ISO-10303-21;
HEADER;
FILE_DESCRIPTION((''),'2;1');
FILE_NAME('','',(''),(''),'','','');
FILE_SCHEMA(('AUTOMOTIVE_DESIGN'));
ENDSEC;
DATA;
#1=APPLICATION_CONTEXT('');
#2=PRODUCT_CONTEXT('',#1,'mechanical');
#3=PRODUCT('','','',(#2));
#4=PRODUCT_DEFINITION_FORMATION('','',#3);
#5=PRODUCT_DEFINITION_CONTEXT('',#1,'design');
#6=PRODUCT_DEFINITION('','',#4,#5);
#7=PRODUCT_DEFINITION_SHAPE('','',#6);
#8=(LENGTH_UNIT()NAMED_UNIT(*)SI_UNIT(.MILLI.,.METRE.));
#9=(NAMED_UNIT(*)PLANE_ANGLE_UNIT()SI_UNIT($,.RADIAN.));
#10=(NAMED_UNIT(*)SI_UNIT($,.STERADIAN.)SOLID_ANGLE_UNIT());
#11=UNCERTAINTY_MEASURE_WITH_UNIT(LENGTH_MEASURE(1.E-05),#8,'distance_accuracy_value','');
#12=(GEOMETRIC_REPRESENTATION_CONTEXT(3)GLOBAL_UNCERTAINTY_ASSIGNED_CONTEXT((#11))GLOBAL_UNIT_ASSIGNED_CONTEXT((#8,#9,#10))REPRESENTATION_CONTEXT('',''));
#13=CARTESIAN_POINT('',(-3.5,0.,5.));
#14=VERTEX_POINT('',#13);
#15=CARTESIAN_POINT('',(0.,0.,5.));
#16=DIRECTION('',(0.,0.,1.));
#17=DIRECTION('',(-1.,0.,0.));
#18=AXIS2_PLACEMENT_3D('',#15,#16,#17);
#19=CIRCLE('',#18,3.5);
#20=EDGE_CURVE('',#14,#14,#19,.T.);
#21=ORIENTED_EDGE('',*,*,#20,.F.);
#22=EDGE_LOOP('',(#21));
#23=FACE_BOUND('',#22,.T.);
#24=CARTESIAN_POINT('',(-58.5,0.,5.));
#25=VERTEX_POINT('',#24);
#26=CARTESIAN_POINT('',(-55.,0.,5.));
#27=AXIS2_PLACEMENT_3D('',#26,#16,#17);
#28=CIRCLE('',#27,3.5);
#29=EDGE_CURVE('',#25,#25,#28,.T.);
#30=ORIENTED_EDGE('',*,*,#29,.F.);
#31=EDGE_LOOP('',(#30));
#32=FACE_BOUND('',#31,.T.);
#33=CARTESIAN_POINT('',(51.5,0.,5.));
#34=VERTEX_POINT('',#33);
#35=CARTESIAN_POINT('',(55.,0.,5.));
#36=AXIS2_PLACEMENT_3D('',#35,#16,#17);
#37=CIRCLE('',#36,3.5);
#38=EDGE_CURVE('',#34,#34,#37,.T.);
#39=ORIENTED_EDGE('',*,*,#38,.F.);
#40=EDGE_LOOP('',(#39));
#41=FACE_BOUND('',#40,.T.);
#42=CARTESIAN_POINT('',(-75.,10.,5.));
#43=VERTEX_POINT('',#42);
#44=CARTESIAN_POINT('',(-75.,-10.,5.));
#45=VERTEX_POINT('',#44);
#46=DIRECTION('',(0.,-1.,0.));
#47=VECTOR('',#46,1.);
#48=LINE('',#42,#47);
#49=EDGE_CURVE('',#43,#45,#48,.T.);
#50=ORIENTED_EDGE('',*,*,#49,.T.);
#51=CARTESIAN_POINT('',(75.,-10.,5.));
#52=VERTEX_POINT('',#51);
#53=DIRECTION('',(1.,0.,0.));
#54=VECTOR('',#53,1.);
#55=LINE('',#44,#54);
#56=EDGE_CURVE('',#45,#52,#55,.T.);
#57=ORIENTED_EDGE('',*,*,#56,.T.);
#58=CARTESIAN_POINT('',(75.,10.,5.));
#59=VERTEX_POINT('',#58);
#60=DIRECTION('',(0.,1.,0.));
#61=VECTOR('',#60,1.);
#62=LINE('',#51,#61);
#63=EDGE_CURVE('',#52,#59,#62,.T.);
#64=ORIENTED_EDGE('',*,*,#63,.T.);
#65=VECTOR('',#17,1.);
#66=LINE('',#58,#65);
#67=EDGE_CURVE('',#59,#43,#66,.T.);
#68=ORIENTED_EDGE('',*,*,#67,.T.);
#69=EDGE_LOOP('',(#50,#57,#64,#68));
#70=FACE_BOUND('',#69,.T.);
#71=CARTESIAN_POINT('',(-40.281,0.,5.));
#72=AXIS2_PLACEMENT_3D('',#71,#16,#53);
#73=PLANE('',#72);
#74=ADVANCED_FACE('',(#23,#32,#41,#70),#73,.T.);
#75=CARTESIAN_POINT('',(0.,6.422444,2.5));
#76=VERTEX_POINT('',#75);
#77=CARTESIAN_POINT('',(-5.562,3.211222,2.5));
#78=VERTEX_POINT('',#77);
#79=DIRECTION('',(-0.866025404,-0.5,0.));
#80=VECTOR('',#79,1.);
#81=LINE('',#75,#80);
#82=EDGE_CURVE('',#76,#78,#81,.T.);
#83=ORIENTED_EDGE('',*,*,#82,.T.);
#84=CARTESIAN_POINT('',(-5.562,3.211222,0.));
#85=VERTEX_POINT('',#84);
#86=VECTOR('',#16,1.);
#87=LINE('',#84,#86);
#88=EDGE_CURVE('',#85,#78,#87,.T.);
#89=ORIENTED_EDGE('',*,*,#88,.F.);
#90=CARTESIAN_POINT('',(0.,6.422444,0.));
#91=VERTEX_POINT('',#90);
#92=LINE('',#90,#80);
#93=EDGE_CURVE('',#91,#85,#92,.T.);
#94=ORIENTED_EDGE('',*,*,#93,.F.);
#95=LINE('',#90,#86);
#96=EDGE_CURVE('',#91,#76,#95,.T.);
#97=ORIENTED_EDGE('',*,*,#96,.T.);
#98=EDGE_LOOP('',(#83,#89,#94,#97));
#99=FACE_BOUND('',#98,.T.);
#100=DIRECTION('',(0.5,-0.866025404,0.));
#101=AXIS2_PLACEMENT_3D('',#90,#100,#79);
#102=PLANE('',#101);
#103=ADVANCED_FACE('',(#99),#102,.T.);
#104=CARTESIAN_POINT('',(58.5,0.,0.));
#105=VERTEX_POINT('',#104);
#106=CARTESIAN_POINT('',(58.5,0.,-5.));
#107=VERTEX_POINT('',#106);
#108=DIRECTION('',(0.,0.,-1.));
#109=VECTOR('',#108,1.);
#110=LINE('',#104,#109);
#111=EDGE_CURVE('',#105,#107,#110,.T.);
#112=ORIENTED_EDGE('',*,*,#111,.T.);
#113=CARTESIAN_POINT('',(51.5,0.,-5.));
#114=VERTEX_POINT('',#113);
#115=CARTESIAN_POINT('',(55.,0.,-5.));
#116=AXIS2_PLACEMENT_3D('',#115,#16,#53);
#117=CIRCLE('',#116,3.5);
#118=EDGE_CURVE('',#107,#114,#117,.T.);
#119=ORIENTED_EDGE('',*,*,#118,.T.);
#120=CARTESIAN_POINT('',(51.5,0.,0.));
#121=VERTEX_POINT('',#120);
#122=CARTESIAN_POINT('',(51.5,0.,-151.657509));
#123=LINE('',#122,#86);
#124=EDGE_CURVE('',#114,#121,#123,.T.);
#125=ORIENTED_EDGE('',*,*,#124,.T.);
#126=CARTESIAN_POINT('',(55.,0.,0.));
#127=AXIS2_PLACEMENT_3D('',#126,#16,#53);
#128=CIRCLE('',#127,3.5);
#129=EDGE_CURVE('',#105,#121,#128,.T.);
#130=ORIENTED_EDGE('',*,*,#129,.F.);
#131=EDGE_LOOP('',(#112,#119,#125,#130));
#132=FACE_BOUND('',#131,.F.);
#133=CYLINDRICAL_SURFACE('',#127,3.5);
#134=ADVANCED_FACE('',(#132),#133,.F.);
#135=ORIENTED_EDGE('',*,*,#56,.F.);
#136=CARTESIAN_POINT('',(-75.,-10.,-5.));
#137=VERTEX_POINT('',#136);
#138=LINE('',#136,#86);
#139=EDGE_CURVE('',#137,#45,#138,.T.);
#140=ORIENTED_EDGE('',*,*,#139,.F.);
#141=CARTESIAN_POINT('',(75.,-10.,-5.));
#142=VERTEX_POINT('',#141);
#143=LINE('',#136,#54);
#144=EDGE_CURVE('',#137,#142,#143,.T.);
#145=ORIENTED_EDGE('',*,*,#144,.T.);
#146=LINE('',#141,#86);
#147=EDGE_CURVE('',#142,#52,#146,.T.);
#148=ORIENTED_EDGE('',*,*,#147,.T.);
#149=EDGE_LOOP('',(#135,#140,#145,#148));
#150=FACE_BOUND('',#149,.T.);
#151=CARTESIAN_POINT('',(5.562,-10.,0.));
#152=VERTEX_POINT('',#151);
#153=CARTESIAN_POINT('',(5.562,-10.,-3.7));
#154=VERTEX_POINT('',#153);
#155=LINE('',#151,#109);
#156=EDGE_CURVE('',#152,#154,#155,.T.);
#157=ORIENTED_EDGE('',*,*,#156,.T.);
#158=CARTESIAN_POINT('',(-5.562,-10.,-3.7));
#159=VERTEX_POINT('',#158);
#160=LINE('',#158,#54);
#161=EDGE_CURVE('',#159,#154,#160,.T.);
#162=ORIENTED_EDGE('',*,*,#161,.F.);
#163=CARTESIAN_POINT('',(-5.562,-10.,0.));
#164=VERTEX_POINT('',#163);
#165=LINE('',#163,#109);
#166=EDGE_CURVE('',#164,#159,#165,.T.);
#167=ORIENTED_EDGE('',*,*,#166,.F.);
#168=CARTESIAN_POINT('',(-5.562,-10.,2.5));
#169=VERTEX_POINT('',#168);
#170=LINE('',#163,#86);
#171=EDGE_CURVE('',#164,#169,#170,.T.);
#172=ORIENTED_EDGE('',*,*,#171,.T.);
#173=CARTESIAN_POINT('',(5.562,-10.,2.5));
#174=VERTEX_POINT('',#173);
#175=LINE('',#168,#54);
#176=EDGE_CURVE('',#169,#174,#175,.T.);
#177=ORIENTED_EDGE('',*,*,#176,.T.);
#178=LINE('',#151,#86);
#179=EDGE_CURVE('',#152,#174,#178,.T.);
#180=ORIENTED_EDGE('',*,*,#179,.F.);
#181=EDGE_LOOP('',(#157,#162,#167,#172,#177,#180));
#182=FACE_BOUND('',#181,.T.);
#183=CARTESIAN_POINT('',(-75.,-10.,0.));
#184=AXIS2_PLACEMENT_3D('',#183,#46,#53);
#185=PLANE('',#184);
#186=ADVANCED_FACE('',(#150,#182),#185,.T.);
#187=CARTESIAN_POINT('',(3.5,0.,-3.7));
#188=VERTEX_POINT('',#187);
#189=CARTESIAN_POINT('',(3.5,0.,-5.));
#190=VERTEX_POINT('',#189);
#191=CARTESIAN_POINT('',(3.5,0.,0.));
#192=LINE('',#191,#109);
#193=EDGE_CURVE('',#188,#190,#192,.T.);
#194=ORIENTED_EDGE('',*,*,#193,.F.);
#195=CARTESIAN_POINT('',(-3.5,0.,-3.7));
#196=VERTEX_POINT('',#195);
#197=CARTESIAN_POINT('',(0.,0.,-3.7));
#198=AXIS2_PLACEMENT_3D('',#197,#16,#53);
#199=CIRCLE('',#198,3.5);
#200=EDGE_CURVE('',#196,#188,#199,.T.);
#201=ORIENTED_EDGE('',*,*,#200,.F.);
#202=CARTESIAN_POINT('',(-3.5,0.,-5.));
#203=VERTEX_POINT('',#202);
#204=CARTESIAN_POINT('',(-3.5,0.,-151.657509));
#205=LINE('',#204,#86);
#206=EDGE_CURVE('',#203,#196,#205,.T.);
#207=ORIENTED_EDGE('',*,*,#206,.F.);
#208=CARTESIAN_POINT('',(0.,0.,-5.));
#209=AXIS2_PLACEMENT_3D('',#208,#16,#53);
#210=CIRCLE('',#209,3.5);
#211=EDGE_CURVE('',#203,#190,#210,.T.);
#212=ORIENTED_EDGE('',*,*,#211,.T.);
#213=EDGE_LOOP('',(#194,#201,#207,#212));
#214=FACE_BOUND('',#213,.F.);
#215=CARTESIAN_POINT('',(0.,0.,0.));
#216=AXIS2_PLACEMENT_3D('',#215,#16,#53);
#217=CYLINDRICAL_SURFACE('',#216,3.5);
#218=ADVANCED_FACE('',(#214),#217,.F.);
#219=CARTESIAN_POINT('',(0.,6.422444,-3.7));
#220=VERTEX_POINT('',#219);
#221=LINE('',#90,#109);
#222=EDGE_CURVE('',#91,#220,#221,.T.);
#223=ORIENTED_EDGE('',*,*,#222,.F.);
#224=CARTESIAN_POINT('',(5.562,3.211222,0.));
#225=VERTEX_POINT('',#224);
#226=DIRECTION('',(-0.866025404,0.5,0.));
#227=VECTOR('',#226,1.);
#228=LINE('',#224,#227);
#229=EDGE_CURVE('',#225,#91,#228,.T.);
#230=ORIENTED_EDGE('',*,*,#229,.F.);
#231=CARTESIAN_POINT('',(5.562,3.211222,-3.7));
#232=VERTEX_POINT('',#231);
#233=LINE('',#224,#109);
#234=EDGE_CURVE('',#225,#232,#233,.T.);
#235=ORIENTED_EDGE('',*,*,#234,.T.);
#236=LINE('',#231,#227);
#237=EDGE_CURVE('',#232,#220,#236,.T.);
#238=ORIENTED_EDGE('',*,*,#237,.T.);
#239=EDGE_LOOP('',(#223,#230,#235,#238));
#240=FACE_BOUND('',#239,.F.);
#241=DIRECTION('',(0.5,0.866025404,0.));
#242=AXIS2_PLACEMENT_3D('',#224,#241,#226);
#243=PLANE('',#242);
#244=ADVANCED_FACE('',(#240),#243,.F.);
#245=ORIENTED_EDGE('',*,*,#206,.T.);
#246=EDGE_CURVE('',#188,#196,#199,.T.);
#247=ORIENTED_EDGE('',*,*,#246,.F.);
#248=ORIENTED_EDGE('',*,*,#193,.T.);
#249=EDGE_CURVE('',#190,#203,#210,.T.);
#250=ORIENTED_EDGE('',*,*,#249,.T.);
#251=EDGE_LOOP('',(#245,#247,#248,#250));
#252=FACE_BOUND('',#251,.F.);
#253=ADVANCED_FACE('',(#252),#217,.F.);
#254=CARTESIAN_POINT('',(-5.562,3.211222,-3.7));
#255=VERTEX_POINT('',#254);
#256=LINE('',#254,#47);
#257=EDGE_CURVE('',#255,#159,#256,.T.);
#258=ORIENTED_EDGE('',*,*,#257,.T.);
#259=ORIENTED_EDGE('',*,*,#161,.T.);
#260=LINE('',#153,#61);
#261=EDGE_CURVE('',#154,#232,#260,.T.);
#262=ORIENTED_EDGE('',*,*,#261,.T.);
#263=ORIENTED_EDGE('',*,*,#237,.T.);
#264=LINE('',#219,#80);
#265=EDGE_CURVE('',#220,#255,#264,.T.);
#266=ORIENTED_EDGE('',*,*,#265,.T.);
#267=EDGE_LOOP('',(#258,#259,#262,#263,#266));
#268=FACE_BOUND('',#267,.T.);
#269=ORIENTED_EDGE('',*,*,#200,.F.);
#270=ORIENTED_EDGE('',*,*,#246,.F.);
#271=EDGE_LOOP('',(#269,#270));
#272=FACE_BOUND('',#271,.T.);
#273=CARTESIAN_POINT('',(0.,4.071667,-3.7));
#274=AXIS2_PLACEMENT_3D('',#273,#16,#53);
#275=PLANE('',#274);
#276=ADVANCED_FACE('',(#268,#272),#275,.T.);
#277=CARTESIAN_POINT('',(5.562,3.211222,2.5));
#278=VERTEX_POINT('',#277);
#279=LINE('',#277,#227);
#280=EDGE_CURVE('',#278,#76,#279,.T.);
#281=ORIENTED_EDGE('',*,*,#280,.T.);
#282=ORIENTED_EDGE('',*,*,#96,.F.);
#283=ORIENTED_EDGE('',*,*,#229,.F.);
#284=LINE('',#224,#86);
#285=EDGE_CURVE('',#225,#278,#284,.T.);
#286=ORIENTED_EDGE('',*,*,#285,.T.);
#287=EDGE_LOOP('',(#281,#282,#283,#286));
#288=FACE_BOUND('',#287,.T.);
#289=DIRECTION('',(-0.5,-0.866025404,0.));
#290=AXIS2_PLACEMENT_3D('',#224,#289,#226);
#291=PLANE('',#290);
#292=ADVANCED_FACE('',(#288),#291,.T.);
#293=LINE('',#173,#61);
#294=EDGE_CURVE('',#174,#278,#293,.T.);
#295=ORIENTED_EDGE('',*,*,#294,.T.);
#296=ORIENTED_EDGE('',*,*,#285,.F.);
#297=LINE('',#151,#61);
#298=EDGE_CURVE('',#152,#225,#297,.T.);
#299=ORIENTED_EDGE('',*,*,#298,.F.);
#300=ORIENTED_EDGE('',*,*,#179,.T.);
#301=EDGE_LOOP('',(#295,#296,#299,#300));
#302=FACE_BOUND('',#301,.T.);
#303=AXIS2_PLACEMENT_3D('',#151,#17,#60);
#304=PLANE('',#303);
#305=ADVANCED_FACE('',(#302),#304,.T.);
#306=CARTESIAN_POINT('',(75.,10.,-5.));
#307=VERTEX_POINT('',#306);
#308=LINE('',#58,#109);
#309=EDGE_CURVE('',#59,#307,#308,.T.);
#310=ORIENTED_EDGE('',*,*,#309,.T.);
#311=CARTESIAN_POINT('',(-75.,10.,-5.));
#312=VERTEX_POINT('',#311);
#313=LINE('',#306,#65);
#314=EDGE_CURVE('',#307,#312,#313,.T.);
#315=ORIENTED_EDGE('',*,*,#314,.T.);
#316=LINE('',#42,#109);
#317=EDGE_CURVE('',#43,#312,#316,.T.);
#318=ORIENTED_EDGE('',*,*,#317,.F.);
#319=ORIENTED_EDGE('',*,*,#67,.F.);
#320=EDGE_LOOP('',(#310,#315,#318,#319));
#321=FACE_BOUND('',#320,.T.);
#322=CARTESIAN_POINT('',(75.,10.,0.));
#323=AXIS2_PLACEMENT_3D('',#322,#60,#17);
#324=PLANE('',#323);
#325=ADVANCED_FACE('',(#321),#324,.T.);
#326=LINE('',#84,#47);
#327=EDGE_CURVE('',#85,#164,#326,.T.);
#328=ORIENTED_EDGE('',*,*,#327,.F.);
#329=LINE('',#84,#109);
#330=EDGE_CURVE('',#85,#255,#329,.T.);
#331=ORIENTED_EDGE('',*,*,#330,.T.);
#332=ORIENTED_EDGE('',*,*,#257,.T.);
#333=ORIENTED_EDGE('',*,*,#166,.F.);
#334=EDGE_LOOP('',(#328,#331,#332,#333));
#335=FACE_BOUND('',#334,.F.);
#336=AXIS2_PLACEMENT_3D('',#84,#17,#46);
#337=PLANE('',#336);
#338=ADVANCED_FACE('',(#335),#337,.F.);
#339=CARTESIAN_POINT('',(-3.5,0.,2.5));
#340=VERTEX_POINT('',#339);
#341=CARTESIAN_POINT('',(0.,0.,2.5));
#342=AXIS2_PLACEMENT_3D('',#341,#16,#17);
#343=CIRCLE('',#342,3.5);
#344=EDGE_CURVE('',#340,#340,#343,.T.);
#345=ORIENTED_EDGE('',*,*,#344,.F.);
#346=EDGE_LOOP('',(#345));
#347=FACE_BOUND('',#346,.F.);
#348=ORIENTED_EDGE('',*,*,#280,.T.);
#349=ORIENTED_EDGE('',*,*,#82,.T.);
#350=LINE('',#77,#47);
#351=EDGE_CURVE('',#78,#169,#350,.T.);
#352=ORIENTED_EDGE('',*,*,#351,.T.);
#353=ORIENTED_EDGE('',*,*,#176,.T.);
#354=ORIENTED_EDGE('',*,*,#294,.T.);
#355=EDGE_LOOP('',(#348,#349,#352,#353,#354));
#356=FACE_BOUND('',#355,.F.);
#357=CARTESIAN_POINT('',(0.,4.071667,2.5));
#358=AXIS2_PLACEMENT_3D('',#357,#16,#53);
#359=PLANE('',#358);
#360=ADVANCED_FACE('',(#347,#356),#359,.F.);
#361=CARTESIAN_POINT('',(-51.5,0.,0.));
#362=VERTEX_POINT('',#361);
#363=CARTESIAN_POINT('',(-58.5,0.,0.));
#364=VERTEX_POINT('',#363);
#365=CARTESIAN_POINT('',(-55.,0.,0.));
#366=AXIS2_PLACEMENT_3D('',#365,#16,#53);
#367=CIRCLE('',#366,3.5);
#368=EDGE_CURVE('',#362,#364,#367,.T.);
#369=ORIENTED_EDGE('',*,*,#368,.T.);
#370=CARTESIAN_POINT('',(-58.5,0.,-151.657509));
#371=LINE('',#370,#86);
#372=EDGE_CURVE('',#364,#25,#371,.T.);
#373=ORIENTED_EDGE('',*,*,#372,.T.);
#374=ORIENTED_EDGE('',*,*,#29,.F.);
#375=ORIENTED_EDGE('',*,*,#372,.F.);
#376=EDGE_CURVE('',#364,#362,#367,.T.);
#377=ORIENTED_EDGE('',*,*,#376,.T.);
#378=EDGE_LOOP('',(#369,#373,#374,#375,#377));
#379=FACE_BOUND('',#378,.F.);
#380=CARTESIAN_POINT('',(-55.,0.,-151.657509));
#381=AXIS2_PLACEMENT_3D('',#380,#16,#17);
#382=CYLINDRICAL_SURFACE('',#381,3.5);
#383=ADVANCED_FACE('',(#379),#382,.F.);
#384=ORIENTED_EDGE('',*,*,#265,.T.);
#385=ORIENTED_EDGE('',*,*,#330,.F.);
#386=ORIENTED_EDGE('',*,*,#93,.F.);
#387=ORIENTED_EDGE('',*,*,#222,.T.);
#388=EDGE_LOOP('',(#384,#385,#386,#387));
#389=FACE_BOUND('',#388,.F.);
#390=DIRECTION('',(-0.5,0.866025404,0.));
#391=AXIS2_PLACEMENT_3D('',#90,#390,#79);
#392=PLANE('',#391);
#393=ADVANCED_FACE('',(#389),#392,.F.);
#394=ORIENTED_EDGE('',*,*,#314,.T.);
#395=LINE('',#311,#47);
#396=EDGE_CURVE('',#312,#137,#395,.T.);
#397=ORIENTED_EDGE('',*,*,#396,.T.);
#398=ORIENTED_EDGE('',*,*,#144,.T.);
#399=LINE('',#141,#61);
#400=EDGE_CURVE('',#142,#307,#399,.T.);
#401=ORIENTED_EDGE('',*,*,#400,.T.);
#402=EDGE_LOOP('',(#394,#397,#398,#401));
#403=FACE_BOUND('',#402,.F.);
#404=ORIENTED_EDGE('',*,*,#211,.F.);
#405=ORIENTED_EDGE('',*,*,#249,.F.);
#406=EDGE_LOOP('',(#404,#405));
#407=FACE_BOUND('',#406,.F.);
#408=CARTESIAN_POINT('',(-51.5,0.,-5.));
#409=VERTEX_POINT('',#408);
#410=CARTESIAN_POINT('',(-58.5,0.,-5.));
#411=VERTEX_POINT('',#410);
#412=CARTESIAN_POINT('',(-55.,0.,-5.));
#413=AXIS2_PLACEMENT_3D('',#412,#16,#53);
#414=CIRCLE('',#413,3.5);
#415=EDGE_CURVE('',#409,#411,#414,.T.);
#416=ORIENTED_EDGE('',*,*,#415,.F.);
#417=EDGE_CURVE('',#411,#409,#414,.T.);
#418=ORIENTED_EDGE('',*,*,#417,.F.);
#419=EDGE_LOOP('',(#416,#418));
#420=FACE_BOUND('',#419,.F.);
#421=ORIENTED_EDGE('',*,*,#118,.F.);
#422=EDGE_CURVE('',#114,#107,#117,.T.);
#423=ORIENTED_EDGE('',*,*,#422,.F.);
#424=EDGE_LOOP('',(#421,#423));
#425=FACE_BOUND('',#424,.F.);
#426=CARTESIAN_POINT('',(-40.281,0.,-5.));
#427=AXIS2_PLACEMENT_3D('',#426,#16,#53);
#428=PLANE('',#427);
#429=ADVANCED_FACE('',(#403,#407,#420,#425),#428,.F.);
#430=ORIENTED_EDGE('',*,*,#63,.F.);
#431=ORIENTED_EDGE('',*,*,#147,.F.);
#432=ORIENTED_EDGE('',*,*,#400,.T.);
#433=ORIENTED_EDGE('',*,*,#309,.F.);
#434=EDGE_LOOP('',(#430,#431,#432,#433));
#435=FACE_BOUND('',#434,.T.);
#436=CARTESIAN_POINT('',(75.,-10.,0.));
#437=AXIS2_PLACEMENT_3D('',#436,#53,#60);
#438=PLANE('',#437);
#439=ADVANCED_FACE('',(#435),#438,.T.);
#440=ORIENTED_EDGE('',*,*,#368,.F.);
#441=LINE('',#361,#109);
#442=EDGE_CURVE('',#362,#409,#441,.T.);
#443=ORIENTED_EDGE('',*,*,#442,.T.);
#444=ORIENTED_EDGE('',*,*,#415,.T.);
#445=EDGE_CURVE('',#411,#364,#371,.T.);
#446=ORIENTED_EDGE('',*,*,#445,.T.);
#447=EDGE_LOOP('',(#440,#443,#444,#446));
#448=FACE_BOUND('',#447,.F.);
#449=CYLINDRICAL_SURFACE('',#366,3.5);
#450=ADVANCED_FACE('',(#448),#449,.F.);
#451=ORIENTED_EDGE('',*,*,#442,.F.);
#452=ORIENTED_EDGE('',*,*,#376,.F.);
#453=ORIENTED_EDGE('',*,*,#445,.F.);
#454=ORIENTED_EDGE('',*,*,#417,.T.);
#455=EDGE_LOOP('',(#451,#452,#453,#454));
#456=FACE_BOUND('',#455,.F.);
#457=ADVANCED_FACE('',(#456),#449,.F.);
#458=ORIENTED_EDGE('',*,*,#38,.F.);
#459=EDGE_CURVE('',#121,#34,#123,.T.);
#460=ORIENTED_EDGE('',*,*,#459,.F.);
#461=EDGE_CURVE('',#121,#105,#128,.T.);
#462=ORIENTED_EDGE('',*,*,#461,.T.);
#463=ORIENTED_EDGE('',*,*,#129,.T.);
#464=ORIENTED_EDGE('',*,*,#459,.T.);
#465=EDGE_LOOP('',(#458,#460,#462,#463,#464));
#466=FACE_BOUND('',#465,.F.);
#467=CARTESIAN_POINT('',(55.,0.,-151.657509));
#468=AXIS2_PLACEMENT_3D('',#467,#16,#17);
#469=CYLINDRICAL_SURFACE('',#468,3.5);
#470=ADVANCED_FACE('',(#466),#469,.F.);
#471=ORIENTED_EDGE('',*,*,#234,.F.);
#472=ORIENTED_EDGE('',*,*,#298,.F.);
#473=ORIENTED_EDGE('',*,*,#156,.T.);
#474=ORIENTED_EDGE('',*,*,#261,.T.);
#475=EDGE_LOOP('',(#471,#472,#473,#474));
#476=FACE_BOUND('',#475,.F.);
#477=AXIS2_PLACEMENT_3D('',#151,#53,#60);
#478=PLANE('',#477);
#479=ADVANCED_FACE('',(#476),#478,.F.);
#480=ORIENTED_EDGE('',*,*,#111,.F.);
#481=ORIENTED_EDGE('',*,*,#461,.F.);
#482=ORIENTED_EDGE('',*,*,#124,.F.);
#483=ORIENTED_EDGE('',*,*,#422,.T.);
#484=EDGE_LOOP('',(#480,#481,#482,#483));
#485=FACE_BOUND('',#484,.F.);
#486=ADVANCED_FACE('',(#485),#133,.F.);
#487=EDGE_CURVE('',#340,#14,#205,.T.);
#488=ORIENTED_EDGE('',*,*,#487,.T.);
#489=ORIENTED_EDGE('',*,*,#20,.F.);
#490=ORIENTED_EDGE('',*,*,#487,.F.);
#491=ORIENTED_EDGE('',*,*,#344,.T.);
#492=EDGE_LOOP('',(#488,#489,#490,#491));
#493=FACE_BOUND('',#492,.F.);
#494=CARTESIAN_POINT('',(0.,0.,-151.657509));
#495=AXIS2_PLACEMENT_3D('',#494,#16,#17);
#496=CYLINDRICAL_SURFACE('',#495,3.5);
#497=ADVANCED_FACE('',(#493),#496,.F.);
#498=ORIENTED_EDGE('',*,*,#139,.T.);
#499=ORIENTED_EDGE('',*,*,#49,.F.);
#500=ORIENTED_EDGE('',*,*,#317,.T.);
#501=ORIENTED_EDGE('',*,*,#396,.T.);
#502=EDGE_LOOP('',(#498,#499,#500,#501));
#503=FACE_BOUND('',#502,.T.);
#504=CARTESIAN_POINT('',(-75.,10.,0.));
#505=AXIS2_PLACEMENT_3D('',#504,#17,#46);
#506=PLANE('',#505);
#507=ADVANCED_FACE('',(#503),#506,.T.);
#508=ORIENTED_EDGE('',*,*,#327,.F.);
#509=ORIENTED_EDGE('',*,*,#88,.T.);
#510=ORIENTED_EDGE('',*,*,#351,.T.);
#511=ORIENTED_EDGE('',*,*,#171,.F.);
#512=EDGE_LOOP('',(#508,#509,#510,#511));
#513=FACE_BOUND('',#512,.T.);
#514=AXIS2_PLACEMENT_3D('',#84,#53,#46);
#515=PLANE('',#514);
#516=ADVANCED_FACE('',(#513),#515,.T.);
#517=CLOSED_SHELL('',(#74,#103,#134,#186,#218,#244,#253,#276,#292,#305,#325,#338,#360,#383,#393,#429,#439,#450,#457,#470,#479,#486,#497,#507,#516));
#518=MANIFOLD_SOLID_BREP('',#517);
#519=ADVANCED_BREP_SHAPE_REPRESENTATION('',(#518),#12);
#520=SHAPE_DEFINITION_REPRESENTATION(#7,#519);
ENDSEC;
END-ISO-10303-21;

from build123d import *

# Parameters (mm, degrees)
F0_W          = 11.124
F0_H          = 6.4224443945
F1_DEPTH      = 5
F1_DEPTH_BACK = 5
F2_D          = 7
F2_DEPTH      = 5.001
F3_D          = 7
F4_DEPTH      = 2.5
F4_DEPTH_BACK = 3.7


with BuildPart() as f1:
    # F0 (on Top) → F1 (new body, two sides)
    with BuildSketch(Plane.XY) as f1_sk:
        Polygon((-5.562, 10), (-75, 10), (-75, -10), (-5.562, -10), (-5.562, -3.2112221972), (-5.562, 3.2112221972), align=None)
        Polygon((75, 10), (5.562, 10), (5.562, 3.2112221972), (5.562, -3.2112221972), (5.562, -10), (75, -10), align=None)
        Polygon((0, 6.4224443945), (-5.562, 3.2112221972), (5.562, 3.2112221972), align=None)
        Polygon((5.562, 10), (-5.562, 10), (-5.562, 3.2112221972), (0, 6.4224443945), (5.562, 3.2112221972), align=None)
        Polygon((-5.562, -3.2112221972), (-5.562, -10), (5.562, -10), (5.562, -3.2112221972), (0, -6.4224443945), align=None)
        Polygon((5.562, -3.2112221972), (-5.562, -3.2112221972), (0, -6.4224443945), align=None)
        Rectangle(F0_W, F0_H)
    extrude(amount=F1_DEPTH)
    extrude(f1_sk.sketch, amount=-F1_DEPTH_BACK)

    # F2 (through all, one way)
    with BuildSketch(Plane.XY):
        with Locations((-55, 0), (55, 0), (0, 0)):
            Circle(F2_D / 2)
    extrude(amount=-F2_DEPTH, mode=Mode.SUBTRACT)

    # F3 (through all)
    with Locations(Plane(origin=(0, 0, 0), x_dir=(1, 0, 0), z_dir=(0, 0, -1))):
        with Locations((55, 0), (-55, 0), (0, 0)):
            Hole(F3_D / 2)

    # F0 (on Top) → F4 (cut, two sides)
    with BuildSketch(Plane.XY) as f4_sk:
        Polygon((0, 6.4224443945), (-5.562, 3.2112221972), (5.562, 3.2112221972), align=None)
        Rectangle(F0_W, F0_H)
        Polygon((5.562, -3.2112221972), (-5.562, -3.2112221972), (0, -6.4224443945), align=None)
        Polygon((-5.562, -3.2112221972), (-5.562, -10), (5.562, -10), (5.562, -3.2112221972), (0, -6.4224443945), align=None)
    extrude(amount=F4_DEPTH, mode=Mode.SUBTRACT)
    extrude(f4_sk.sketch, amount=-F4_DEPTH_BACK, mode=Mode.SUBTRACT)


solid = f1.part
